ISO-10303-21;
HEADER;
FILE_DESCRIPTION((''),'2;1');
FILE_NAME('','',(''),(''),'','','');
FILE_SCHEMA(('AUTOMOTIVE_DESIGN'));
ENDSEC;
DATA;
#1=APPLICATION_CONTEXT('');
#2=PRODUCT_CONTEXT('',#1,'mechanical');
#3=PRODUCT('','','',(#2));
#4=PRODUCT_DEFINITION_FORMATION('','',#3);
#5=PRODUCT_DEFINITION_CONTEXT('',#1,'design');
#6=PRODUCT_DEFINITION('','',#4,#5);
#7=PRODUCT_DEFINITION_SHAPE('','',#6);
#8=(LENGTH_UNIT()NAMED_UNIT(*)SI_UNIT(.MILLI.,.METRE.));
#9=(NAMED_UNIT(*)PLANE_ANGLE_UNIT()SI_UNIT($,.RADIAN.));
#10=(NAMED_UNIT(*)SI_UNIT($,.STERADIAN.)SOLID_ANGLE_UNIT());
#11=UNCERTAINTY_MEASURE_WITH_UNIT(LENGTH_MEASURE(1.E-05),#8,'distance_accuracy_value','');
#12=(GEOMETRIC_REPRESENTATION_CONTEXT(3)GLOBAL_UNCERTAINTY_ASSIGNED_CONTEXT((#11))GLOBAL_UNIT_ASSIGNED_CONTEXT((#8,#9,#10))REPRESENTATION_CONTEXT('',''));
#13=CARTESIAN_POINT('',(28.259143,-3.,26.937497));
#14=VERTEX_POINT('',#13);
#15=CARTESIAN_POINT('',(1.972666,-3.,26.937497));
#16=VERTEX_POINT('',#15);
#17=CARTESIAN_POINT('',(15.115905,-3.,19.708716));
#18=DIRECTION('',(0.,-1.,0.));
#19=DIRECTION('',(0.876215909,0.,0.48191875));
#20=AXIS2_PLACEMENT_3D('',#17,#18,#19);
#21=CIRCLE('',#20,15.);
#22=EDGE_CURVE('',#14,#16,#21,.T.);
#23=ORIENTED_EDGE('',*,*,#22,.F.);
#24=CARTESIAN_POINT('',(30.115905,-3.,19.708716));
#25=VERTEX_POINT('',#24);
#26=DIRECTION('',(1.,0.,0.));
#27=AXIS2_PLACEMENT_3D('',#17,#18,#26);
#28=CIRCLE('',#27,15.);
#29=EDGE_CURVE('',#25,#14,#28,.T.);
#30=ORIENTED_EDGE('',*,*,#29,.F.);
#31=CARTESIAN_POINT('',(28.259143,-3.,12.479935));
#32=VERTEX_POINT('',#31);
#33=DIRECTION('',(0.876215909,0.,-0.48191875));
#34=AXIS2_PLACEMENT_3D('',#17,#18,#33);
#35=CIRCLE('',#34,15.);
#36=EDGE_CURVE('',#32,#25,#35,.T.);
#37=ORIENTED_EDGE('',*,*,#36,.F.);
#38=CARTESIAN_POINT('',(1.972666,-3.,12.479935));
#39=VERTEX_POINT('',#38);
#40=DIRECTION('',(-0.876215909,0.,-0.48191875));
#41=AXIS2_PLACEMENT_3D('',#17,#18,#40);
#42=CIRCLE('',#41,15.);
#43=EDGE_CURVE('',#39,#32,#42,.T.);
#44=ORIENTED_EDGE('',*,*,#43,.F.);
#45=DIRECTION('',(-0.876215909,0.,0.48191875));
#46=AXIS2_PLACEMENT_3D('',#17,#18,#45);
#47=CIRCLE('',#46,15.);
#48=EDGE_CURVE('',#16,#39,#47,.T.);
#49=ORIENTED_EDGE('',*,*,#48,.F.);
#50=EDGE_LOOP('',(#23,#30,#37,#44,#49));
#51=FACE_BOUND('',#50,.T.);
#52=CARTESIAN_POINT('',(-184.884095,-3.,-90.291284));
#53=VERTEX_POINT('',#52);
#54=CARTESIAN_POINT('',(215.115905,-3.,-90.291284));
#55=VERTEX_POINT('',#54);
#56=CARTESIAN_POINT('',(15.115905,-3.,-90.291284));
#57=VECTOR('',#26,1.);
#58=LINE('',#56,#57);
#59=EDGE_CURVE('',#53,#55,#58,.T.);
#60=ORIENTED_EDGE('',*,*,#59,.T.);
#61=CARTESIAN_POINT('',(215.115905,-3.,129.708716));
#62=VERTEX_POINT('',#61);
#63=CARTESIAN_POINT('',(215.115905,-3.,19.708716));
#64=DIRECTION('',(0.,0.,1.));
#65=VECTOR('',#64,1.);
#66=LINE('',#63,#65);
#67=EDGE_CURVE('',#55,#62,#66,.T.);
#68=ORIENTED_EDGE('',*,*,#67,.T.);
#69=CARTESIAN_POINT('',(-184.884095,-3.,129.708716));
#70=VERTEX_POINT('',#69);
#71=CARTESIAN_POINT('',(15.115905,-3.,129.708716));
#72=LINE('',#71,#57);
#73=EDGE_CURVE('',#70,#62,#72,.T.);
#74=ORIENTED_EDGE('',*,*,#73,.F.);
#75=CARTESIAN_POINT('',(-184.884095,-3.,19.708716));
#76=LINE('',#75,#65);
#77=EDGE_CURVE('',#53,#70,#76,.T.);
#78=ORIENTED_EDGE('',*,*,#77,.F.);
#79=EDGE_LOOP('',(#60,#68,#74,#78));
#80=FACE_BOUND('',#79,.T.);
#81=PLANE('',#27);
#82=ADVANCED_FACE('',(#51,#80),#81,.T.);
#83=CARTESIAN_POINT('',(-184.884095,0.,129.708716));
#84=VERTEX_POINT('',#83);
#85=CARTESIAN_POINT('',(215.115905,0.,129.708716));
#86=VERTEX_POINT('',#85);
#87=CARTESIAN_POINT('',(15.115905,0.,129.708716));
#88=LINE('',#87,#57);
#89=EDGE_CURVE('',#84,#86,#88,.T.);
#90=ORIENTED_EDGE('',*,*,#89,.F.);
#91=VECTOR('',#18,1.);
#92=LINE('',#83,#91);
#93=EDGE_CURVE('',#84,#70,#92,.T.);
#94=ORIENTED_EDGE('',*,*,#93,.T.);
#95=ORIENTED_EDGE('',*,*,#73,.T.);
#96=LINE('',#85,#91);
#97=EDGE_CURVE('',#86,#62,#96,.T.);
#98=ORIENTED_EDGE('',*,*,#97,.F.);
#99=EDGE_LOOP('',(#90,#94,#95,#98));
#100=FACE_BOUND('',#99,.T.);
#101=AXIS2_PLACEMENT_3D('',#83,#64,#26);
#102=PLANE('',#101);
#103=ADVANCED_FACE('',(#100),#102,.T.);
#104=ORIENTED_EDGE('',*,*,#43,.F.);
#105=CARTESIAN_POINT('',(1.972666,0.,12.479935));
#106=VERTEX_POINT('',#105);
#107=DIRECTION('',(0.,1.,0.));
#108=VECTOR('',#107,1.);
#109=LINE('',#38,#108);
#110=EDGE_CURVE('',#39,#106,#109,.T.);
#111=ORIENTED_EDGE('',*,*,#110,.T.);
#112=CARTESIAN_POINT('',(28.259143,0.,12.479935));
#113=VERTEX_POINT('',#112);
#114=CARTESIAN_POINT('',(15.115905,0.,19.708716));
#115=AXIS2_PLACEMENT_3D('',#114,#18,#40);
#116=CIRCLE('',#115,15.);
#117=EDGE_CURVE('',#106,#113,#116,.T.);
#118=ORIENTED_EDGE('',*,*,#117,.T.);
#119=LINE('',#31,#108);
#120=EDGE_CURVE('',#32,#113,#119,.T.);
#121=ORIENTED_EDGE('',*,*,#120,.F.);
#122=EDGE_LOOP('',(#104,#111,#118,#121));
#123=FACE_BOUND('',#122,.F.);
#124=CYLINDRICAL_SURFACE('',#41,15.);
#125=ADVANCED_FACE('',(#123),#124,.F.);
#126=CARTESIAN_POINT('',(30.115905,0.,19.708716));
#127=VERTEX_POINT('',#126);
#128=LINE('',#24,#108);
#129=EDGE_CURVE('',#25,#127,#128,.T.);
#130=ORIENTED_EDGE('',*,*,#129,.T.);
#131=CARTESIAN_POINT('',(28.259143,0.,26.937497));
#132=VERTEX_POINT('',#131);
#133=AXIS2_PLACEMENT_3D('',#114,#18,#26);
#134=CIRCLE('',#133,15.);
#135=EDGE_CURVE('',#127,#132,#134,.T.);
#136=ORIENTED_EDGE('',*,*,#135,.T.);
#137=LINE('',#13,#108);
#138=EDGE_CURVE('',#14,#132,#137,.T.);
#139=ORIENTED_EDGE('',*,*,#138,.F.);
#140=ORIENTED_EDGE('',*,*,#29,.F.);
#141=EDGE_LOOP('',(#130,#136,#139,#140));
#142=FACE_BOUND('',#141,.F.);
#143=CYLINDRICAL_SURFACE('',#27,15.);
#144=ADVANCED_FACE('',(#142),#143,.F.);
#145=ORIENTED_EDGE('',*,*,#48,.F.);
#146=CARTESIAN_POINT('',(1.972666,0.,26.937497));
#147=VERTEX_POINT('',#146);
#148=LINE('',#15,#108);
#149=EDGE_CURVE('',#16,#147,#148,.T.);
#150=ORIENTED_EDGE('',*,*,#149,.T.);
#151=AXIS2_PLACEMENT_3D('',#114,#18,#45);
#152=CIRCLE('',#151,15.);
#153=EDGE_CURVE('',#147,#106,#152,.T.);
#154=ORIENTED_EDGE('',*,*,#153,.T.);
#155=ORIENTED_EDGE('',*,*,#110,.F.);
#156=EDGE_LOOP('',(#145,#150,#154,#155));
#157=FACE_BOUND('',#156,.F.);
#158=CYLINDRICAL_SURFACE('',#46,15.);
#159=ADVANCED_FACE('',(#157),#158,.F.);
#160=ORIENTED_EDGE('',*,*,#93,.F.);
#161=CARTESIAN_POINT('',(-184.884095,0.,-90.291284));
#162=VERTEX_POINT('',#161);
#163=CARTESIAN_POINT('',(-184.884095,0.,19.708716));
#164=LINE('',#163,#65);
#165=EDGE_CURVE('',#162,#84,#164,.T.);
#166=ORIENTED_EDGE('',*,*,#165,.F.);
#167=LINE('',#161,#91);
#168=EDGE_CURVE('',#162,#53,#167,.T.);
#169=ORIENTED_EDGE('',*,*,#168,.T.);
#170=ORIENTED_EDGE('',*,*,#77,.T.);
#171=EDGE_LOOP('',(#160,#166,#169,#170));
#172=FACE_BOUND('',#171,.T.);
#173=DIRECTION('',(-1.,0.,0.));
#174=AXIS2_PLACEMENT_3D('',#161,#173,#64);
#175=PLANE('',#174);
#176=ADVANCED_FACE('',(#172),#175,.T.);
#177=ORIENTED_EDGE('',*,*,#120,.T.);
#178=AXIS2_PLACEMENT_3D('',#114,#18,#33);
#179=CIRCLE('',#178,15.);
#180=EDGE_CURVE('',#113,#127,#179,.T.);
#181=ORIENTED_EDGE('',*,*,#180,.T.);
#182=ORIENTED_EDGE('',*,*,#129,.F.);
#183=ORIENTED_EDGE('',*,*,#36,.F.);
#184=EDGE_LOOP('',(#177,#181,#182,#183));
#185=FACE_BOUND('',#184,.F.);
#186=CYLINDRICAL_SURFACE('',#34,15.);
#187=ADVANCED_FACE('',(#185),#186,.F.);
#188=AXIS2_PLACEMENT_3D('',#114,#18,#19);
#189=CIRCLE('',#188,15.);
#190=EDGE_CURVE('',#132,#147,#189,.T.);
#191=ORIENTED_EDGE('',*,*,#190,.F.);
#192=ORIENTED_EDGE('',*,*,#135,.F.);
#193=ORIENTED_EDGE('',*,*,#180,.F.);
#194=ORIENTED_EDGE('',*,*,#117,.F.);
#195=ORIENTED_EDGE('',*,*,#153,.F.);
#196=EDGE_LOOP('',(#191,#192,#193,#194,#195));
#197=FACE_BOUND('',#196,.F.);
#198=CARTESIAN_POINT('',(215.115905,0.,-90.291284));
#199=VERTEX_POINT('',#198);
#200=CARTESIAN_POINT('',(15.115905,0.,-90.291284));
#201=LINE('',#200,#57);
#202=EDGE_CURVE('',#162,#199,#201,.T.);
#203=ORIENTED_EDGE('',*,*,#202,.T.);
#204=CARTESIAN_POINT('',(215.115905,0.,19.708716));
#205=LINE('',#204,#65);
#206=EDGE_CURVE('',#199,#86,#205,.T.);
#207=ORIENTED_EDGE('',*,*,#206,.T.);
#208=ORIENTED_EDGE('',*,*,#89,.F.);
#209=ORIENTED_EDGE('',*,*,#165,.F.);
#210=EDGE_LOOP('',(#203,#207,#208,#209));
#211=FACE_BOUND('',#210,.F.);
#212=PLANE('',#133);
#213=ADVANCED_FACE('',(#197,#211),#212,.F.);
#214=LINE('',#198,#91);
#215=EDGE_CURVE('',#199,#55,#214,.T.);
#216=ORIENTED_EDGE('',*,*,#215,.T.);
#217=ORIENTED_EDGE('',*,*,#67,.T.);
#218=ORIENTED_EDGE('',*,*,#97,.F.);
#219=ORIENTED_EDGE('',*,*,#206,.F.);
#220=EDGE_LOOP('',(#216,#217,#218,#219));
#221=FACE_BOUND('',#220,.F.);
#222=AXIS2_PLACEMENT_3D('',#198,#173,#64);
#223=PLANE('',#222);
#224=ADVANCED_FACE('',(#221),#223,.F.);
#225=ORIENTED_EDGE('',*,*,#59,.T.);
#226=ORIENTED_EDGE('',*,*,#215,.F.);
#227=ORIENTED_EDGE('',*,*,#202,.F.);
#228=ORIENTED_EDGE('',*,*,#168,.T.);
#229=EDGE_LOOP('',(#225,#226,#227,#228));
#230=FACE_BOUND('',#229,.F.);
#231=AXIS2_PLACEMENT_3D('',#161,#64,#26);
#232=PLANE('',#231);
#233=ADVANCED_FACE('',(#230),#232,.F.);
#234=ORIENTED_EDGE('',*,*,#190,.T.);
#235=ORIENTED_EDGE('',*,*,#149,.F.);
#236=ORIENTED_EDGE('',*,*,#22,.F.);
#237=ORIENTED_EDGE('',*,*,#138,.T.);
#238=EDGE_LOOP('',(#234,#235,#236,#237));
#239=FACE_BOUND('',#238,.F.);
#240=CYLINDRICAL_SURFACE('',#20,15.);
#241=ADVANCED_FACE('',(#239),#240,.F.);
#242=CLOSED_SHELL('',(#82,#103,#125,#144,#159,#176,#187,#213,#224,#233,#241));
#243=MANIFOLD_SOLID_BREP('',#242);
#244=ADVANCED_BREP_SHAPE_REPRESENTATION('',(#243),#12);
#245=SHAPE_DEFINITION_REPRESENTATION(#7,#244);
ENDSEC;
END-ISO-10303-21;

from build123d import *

# Parameters (mm, degrees)
F0_W     = 400
F0_H     = 220
F1_DEPTH = 3
F3_DEPTH = 35.56


with BuildPart() as f1:
    # F0 (on Front) → F1 (new body)
    with BuildSketch(Plane.XZ):
        with Locations((15.115904808, 19.7087159753)):
            Rectangle(F0_W, F0_H)
    extrude(amount=F1_DEPTH)

    # F2 (on face) → F3 (cut)
    with BuildSketch(Plane.XZ.offset(3)):
        with BuildLine():
            ThreePointArc((28.2591434382, 26.9374972219), (15.115904808, 34.7087159753), (1.9726661779, 26.9374972219))
            Line((1.9726661779, 26.9374972219), (15.115904808, 19.7087159753))
            Line((15.115904808, 19.7087159753), (28.2591434382, 26.9374972219))
        make_face()
        with BuildLine():
            Line((15.115904808, 19.7087159753), (1.9726661779, 12.4799347287))
            ThreePointArc((1.9726661779, 12.4799347287), (15.115904808, 4.7087159753), (28.2591434382, 12.4799347287))
            Line((28.2591434382, 12.4799347287), (15.115904808, 19.7087159753))
        make_face()
        with BuildLine():
            ThreePointArc((30.115904808, 19.7087159753), (29.6443007872, 23.4404327751), (28.2591434382, 26.9374972219))
            Line((28.2591434382, 26.9374972219), (15.115904808, 19.7087159753))
            Line((15.115904808, 19.7087159753), (28.2591434382, 12.4799347287))
            ThreePointArc((28.2591434382, 12.4799347287), (29.6443007872, 15.9769991755), (30.115904808, 19.7087159753))
        make_face()
        with BuildLine():
            Line((15.115904808, 19.7087159753), (1.9726661779, 26.9374972219))
            ThreePointArc((1.9726661779, 26.9374972219), (0.115904808, 19.7087159753), (1.9726661779, 12.4799347287))
            Line((1.9726661779, 12.4799347287), (15.115904808, 19.7087159753))
        make_face()
    extrude(amount=-F3_DEPTH, mode=Mode.SUBTRACT)


solid = f1.part
